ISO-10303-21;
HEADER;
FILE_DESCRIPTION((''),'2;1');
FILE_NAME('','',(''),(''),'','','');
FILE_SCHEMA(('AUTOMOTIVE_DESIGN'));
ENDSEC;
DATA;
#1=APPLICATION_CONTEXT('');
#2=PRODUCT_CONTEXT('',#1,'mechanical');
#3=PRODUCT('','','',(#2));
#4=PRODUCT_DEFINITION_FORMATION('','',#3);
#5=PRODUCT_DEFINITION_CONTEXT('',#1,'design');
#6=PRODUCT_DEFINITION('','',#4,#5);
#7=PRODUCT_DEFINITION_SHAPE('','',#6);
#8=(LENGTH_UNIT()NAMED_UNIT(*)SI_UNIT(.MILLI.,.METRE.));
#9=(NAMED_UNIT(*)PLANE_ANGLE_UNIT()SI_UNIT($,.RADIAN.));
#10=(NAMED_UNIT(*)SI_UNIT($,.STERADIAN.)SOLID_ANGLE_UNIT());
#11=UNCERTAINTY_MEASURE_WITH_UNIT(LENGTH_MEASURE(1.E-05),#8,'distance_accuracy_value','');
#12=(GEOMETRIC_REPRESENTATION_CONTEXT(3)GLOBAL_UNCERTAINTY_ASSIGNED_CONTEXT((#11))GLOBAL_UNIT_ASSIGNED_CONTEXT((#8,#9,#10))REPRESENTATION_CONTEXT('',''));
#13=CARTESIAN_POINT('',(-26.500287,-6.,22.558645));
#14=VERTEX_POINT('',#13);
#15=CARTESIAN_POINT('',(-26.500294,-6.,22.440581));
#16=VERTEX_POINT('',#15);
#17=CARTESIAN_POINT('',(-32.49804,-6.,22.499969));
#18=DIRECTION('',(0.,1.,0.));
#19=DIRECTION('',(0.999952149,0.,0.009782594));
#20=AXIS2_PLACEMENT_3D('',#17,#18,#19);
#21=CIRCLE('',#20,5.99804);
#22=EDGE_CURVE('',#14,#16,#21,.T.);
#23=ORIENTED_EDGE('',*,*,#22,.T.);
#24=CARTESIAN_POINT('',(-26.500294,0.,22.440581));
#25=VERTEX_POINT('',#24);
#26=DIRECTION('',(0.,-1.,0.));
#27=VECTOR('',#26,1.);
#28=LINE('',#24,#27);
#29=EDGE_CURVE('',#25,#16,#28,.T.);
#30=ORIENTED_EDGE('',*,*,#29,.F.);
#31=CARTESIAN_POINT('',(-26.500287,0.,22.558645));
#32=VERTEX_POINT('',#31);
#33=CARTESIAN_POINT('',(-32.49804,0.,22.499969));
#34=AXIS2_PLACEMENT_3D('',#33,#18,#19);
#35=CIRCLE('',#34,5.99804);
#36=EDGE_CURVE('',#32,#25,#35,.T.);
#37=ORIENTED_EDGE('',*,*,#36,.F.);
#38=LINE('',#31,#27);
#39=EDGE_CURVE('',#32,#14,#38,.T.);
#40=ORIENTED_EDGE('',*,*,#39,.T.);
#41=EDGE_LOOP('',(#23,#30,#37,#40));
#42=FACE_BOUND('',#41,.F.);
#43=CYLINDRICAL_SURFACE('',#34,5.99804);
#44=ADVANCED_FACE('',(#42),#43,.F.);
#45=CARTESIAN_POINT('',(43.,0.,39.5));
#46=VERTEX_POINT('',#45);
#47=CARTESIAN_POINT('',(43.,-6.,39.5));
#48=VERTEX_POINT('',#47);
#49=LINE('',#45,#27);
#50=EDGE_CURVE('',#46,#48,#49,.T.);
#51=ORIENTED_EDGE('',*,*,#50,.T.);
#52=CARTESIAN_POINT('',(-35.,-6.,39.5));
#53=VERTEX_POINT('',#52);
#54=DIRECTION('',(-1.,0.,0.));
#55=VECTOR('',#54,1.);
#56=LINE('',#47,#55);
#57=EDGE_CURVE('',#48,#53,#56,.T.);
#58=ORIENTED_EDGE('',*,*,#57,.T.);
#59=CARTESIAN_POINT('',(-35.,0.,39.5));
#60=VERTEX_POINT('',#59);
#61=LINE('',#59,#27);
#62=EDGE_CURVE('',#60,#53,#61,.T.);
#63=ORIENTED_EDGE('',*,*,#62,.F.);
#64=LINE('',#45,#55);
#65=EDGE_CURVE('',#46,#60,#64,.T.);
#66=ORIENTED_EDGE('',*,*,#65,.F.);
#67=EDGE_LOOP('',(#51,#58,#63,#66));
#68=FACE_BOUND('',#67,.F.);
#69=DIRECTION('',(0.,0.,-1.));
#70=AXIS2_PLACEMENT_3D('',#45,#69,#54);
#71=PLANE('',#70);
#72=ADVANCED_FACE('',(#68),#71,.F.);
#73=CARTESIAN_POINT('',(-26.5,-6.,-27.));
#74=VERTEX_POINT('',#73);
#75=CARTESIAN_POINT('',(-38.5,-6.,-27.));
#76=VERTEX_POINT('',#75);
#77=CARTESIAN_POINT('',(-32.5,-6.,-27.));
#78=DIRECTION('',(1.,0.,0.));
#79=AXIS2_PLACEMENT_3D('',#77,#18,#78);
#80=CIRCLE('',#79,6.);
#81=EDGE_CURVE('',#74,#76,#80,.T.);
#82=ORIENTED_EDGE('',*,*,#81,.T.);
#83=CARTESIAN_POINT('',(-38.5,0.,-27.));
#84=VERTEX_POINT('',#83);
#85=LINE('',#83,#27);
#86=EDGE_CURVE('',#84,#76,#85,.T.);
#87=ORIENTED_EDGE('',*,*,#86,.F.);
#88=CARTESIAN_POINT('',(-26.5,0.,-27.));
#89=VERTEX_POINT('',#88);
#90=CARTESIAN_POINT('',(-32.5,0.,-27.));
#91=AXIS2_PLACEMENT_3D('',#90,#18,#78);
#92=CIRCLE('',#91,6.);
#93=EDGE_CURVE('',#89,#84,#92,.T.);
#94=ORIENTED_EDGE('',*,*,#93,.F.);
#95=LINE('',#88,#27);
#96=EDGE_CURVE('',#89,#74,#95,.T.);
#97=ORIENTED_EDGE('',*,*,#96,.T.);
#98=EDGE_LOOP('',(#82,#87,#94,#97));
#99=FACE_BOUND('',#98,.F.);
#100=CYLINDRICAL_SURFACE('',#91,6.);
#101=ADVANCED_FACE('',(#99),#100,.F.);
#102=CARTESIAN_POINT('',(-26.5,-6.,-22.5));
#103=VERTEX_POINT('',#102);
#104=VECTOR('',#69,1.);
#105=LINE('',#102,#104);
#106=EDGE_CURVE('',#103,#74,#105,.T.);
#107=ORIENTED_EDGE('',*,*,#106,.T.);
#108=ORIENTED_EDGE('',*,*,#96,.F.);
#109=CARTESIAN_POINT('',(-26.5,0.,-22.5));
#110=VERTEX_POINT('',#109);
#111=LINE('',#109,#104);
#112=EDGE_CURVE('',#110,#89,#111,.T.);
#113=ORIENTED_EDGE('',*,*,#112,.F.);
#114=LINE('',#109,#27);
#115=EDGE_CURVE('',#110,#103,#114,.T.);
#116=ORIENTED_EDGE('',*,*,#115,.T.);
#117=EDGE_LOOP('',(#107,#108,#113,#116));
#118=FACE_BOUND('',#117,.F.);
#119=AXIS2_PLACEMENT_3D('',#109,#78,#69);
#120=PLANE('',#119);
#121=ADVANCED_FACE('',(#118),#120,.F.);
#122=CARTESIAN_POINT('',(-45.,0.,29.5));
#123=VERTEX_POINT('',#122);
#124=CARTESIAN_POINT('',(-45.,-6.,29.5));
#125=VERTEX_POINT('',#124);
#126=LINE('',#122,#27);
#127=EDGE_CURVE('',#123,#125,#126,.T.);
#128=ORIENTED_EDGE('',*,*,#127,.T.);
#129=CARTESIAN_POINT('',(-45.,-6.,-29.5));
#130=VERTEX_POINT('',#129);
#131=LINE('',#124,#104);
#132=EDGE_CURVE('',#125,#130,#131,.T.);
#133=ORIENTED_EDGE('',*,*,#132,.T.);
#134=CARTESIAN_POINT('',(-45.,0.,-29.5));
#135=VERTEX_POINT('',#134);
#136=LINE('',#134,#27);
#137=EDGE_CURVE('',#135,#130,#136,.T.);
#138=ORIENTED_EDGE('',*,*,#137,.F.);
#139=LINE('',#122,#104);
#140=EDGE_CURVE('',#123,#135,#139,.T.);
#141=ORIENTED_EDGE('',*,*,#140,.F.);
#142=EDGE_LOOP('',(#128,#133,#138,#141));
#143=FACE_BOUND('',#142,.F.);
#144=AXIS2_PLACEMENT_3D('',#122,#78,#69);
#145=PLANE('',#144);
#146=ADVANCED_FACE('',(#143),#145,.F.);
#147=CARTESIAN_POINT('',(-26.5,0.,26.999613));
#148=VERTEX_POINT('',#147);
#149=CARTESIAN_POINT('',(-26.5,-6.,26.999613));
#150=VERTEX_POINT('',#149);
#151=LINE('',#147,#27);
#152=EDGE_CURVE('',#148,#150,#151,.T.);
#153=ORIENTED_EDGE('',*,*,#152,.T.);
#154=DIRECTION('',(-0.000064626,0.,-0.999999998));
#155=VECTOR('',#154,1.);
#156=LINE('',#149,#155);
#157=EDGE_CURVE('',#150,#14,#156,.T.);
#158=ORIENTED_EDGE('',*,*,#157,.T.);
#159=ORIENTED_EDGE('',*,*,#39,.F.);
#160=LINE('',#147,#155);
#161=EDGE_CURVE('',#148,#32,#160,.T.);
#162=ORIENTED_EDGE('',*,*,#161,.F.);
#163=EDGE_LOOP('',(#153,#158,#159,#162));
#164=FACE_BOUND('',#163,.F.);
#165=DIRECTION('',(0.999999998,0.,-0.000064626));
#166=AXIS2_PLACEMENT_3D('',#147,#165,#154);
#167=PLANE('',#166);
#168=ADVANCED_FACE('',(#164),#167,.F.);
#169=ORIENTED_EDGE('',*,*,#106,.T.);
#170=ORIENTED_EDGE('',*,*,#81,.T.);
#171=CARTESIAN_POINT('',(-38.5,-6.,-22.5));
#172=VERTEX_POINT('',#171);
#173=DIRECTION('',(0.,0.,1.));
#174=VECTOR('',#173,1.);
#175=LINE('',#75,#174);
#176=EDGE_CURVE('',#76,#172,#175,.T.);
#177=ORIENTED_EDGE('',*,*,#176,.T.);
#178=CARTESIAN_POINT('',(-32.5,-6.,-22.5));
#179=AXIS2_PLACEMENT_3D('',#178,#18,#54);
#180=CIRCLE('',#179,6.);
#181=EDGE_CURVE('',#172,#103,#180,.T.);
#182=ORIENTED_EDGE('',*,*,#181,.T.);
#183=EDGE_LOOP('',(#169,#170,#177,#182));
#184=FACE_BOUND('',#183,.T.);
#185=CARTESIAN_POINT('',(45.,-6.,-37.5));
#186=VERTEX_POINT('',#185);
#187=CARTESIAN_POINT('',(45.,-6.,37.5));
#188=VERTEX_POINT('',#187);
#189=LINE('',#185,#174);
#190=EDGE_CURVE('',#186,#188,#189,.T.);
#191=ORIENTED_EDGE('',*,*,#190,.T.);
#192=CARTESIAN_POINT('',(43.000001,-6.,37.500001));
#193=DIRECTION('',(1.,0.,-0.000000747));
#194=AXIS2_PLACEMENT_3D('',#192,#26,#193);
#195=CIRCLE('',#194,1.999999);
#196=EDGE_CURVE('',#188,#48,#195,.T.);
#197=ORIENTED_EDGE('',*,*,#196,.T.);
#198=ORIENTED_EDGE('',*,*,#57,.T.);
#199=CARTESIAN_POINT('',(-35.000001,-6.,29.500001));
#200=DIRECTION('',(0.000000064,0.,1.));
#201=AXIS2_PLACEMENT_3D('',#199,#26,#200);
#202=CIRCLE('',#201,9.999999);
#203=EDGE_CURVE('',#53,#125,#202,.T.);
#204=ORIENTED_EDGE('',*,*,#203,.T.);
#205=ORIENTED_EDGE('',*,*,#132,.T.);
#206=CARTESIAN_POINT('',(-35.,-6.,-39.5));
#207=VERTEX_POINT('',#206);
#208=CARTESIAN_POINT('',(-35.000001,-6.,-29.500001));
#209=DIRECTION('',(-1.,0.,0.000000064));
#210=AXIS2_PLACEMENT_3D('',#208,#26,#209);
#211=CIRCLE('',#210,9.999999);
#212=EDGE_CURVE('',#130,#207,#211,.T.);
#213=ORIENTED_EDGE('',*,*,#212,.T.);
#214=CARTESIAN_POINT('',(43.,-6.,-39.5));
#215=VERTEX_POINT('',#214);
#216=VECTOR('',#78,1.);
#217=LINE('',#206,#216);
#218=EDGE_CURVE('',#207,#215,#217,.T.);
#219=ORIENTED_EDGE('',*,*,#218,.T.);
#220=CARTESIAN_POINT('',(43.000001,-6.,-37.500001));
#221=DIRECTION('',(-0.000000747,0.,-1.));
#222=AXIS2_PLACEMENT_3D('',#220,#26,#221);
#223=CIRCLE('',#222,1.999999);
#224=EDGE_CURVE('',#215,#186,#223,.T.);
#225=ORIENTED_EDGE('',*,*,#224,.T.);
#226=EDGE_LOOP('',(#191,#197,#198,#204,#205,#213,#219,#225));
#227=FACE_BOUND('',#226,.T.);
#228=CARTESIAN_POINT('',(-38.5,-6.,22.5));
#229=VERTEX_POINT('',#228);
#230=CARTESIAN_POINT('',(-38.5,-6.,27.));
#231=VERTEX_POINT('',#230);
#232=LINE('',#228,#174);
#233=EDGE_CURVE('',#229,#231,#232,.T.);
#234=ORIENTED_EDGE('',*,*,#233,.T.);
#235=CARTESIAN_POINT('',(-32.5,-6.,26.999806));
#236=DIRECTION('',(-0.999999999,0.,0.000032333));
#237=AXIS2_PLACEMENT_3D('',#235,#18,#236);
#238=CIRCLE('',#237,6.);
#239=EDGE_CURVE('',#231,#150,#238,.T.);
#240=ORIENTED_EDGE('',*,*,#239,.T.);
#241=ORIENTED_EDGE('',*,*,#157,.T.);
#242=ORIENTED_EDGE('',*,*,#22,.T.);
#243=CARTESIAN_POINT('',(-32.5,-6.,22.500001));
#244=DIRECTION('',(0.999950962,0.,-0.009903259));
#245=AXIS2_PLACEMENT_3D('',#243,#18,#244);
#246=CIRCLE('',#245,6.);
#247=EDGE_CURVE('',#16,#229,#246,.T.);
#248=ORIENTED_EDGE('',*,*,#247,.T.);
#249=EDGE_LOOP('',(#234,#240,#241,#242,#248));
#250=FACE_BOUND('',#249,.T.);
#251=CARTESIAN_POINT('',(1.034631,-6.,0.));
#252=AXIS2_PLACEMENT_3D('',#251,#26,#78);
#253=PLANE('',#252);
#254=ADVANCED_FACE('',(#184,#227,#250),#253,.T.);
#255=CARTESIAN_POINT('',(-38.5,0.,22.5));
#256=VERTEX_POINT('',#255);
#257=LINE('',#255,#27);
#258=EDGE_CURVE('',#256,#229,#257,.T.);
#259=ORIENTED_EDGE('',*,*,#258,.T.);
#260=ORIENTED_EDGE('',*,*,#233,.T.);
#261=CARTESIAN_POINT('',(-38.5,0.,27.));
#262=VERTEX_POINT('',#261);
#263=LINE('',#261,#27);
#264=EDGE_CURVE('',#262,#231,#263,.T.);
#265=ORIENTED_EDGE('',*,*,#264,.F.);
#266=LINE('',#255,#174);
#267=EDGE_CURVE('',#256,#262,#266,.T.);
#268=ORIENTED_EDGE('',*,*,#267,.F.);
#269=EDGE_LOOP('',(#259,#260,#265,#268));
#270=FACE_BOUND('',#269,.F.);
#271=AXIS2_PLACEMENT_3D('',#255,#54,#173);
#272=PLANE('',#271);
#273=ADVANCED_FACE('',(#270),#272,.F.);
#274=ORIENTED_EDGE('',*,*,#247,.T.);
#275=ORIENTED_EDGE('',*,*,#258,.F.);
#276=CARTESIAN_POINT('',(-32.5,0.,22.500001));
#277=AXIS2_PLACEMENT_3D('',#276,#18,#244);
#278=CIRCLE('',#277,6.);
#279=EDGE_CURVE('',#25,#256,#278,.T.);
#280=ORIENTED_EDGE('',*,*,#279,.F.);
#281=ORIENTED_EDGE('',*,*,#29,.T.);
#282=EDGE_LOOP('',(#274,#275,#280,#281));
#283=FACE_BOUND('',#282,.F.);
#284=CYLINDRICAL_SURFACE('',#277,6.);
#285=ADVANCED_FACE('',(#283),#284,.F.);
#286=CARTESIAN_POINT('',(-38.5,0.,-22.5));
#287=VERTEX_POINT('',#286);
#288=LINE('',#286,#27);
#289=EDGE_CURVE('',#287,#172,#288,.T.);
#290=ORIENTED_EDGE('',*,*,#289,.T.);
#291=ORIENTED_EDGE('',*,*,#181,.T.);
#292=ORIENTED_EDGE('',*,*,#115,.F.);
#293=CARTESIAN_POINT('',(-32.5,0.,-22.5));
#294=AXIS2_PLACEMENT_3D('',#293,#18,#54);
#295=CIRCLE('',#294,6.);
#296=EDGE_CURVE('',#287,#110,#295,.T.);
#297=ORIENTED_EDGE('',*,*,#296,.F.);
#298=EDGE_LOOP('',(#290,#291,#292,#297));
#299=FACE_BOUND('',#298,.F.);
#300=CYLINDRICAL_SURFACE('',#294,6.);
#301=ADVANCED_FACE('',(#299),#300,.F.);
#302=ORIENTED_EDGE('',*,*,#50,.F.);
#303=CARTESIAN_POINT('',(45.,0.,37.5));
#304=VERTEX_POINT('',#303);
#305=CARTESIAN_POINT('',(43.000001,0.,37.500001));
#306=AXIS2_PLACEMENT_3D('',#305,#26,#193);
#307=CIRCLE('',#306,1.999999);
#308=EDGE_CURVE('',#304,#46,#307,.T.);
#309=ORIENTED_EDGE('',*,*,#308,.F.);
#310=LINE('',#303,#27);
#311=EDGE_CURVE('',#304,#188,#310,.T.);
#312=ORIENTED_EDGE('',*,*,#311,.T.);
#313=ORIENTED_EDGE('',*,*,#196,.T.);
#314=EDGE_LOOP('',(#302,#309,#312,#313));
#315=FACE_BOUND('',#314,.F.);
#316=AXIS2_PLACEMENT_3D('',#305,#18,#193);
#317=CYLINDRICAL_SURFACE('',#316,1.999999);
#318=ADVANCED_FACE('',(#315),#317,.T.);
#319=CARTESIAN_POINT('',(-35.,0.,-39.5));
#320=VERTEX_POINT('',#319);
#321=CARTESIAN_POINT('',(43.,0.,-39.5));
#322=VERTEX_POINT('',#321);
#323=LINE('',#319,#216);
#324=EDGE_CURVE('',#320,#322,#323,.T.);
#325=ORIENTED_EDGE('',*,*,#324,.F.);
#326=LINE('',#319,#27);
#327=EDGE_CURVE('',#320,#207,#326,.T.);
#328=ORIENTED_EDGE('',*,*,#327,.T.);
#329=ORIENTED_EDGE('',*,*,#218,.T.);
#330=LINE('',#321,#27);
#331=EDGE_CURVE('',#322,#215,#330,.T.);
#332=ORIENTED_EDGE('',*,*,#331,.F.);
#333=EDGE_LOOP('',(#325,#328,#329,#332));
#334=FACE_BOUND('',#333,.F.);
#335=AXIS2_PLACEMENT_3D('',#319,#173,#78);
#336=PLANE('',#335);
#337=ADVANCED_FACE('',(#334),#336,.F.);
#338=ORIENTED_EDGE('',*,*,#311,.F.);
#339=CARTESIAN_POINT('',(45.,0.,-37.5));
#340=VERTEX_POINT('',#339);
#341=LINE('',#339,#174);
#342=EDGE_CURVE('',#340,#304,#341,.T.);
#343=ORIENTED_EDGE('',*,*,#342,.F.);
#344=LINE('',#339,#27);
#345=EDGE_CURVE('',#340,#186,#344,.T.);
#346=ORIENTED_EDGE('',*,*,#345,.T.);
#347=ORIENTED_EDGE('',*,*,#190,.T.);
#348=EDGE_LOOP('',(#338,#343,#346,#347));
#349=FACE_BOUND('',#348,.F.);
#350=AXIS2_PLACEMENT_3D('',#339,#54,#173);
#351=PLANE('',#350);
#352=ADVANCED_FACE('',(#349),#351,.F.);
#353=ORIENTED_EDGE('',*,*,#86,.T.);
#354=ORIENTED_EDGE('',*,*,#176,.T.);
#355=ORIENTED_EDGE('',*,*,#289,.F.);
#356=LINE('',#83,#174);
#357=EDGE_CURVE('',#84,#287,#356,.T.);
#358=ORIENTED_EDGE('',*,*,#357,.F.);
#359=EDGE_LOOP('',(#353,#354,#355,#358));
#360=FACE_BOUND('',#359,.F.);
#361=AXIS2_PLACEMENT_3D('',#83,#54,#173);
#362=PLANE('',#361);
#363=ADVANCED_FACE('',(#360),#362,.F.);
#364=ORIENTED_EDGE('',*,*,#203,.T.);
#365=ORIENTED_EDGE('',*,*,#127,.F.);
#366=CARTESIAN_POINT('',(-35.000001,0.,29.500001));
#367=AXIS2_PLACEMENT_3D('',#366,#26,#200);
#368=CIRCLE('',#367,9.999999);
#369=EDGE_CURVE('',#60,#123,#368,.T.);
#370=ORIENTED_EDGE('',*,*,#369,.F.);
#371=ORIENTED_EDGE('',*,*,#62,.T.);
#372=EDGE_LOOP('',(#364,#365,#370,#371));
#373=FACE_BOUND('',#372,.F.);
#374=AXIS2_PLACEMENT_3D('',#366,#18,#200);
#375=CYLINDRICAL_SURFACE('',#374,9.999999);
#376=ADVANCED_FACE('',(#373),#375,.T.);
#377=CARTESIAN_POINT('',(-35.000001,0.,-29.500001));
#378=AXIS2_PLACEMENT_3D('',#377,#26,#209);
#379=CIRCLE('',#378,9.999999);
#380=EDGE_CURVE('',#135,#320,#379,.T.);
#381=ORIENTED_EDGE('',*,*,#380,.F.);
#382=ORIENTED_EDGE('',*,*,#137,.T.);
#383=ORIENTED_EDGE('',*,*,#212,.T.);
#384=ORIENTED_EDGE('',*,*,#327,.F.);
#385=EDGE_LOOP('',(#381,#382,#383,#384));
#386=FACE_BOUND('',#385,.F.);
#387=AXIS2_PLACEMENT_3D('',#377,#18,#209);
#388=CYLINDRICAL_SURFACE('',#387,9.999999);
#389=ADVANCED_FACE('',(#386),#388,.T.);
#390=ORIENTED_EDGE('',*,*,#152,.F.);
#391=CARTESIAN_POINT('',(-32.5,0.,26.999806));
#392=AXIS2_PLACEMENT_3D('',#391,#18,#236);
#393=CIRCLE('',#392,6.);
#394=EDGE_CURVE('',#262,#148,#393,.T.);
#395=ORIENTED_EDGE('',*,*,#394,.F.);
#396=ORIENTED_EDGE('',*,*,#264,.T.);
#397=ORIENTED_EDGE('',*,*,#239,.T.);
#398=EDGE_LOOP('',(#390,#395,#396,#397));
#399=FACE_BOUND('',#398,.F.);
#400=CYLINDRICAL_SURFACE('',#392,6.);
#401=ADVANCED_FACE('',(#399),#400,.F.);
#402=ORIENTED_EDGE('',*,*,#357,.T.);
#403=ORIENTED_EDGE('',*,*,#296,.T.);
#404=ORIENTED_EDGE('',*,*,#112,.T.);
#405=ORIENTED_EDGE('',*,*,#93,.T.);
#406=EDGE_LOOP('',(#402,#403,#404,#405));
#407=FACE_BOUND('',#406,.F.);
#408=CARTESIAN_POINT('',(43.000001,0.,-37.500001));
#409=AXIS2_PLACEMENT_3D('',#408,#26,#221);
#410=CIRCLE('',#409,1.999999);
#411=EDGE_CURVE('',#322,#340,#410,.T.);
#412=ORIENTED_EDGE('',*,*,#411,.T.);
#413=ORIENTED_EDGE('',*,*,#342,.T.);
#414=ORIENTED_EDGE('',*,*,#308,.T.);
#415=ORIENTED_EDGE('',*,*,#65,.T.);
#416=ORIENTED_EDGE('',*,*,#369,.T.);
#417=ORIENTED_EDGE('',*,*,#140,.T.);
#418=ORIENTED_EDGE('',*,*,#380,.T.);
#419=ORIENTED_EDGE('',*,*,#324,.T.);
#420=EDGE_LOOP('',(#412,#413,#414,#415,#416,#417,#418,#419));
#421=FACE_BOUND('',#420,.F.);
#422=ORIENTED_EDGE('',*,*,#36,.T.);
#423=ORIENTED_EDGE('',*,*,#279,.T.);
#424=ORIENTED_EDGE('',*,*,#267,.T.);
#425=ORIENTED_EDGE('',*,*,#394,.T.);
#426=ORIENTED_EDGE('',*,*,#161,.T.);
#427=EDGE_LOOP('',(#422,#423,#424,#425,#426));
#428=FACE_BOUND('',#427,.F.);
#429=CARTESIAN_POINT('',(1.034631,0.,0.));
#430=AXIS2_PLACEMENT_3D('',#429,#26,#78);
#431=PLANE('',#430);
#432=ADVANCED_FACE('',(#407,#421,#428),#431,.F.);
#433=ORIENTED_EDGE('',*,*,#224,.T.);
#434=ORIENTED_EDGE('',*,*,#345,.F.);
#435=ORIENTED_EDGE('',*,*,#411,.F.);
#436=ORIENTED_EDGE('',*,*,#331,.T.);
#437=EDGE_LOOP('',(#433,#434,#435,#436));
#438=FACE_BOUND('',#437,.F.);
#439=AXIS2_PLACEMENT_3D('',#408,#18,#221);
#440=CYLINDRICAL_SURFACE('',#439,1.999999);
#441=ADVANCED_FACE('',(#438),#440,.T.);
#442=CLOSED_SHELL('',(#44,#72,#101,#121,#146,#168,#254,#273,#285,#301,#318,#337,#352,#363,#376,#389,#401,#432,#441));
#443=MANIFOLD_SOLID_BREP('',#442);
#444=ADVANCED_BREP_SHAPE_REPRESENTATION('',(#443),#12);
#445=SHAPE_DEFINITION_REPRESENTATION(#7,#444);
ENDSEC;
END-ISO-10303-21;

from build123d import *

# Parameters (mm, degrees)
F1_DEPTH = 6


with BuildPart() as f1:
    # F0 (on Front) → F1 (new body)
    with BuildSketch(Plane.XZ):
        with BuildLine():
            ThreePointArc((-45, -29.5), (-42.071068, -36.571068), (-35, -39.5))
            Line((-35, -39.5), (43, -39.5))
            ThreePointArc((43, -39.5), (44.414214, -38.914214), (45, -37.5))
            Line((45, -37.5), (45, 37.5))
            ThreePointArc((45, 37.5), (44.414214, 38.914214), (43, 39.5))
            Line((43, 39.5), (-35, 39.5))
            ThreePointArc((-35, 39.5), (-42.071068, 36.571068), (-45, 29.5))
            Line((-45, 29.5), (-45, -29.5))
        make_face()
        with BuildLine():
            ThreePointArc((-38.5, -22.5), (-32.5, -16.5), (-26.5, -22.5))
            Line((-26.5, -22.5), (-26.5, -27))
            ThreePointArc((-26.5, -27), (-32.5, -33), (-38.5, -27))
            Line((-38.5, -27), (-38.5, -22.5))
        make_face(mode=Mode.SUBTRACT)
        with BuildLine():
            ThreePointArc((-26.500294, 22.440581), (-32.52971, 16.500074), (-38.5, 22.5))
            Line((-38.5, 22.5), (-38.5, 27))
            ThreePointArc((-38.5, 27), (-32.499806, 32.999806), (-26.5, 26.999613))
            Line((-26.5, 26.999613), (-26.500287, 22.558645))
            ThreePointArc((-26.500287, 22.558645), (-26.5, 22.499613), (-26.500294, 22.440581))
        make_face(mode=Mode.SUBTRACT)
    extrude(amount=F1_DEPTH)


solid = f1.part
